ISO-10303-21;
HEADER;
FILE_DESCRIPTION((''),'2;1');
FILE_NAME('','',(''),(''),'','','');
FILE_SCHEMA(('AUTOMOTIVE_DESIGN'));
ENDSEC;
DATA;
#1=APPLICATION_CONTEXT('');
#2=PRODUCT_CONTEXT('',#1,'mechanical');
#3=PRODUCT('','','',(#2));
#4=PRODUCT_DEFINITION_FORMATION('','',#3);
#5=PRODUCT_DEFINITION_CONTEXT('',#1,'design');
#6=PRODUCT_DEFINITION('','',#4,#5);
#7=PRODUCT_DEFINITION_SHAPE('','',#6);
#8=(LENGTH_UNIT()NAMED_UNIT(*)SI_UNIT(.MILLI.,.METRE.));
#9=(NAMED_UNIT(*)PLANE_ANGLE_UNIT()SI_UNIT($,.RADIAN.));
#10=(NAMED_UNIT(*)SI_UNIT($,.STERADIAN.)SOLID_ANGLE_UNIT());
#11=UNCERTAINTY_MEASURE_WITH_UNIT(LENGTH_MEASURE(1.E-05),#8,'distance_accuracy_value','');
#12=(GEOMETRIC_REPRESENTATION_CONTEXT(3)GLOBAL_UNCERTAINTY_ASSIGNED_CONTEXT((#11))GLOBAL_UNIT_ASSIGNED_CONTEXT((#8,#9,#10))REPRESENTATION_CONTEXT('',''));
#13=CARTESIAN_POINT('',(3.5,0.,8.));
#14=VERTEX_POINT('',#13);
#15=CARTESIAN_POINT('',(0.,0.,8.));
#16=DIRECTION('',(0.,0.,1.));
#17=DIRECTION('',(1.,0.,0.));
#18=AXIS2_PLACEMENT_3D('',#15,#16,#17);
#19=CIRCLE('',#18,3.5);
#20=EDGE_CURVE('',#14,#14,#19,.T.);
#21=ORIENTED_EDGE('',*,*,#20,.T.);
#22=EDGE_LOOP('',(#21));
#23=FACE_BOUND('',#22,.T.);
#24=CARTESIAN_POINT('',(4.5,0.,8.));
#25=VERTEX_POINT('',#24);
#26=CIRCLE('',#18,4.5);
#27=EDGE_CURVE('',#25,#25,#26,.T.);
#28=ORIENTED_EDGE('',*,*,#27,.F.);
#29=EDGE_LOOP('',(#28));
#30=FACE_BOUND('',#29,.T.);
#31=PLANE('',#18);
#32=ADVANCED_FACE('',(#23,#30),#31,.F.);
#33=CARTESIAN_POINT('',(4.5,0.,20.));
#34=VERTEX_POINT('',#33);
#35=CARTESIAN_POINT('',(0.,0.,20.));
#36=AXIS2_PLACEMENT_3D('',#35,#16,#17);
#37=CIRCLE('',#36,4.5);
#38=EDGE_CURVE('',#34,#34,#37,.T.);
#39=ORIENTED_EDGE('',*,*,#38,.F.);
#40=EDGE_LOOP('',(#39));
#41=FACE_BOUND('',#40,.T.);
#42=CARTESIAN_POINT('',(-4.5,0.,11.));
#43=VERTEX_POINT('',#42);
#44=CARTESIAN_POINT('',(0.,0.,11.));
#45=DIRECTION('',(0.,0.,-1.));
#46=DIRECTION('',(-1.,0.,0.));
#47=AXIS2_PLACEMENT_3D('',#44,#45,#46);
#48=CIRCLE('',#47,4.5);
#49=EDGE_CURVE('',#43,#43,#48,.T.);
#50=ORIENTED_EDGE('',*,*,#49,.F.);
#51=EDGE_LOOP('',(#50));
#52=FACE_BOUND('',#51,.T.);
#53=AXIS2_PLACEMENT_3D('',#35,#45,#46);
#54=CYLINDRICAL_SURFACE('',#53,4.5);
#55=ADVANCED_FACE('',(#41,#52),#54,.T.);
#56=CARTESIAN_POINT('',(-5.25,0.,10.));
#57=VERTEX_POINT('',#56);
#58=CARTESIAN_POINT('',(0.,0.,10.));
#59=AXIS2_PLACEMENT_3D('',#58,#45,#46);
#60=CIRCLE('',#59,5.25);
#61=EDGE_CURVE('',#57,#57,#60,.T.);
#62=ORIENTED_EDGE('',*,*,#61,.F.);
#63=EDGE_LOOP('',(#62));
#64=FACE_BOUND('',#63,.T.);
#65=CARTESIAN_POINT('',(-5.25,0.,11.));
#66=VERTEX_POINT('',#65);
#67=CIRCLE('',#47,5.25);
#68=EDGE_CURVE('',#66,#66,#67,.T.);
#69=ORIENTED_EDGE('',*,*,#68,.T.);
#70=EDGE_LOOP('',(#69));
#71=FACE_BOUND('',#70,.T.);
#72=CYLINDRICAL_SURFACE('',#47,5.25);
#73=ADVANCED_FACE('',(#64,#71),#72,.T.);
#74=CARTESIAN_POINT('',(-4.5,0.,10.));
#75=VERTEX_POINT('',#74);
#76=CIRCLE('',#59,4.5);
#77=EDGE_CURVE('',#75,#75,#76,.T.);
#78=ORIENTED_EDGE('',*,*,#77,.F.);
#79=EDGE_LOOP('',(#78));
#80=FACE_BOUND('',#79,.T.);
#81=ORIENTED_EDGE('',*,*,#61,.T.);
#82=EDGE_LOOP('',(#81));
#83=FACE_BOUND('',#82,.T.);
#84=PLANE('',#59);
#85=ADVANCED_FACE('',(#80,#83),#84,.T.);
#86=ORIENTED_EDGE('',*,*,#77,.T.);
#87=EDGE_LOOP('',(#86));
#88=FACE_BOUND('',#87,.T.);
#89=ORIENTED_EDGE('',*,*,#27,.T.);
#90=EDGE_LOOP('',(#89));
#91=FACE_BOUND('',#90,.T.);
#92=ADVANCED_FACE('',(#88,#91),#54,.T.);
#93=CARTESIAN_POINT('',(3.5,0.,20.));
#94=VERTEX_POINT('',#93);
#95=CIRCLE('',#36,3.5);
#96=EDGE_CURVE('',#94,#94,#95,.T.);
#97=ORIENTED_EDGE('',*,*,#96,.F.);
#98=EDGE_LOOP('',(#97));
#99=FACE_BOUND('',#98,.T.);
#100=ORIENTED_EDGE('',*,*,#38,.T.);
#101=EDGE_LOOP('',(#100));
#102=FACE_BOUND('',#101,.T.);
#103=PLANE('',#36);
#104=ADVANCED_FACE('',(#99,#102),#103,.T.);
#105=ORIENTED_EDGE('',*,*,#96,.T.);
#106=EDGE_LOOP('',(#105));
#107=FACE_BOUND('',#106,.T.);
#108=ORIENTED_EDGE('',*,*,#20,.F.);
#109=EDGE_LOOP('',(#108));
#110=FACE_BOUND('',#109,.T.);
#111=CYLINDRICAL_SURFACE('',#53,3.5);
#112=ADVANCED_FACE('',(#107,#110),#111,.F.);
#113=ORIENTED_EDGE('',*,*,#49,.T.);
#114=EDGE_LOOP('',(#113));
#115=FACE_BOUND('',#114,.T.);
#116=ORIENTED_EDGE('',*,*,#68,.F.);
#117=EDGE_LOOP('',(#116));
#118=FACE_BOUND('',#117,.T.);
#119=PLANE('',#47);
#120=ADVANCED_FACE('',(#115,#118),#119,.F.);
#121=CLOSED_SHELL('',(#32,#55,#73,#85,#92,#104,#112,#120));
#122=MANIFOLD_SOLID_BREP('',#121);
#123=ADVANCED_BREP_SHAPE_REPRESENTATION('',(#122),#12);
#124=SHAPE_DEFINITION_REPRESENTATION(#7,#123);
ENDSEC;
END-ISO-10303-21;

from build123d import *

# Parameters (mm, degrees)
BOSS_EXTRUDE1_START = 8
SKETCH1_R           = 4.5
SKETCH1_R_2         = 3.5
BOSS_EXTRUDE1_DEPTH = 12
BOSS_EXTRUDE2_START = -2
SKETCH2_R           = 5.25
SKETCH2_R_2         = 3.5
BOSS_EXTRUDE2_DEPTH = 1


with BuildPart() as part:
    # Sketch1 → Boss-Extrude1 (new body)
    with BuildSketch(Plane.XY.offset(BOSS_EXTRUDE1_START)):
        Circle(SKETCH1_R)
        Circle(SKETCH1_R_2, mode=Mode.SUBTRACT)
    extrude(amount=BOSS_EXTRUDE1_DEPTH)

    # Sketch2 → Boss-Extrude2 (add)
    with BuildSketch(Plane(origin=(0, 0, 8), x_dir=(-1, 0, 0), z_dir=(0, 0, -1)).offset(BOSS_EXTRUDE2_START)):
        Circle(SKETCH2_R)
        Circle(SKETCH2_R_2, mode=Mode.SUBTRACT)
    extrude(amount=-BOSS_EXTRUDE2_DEPTH)


solid = part.part
